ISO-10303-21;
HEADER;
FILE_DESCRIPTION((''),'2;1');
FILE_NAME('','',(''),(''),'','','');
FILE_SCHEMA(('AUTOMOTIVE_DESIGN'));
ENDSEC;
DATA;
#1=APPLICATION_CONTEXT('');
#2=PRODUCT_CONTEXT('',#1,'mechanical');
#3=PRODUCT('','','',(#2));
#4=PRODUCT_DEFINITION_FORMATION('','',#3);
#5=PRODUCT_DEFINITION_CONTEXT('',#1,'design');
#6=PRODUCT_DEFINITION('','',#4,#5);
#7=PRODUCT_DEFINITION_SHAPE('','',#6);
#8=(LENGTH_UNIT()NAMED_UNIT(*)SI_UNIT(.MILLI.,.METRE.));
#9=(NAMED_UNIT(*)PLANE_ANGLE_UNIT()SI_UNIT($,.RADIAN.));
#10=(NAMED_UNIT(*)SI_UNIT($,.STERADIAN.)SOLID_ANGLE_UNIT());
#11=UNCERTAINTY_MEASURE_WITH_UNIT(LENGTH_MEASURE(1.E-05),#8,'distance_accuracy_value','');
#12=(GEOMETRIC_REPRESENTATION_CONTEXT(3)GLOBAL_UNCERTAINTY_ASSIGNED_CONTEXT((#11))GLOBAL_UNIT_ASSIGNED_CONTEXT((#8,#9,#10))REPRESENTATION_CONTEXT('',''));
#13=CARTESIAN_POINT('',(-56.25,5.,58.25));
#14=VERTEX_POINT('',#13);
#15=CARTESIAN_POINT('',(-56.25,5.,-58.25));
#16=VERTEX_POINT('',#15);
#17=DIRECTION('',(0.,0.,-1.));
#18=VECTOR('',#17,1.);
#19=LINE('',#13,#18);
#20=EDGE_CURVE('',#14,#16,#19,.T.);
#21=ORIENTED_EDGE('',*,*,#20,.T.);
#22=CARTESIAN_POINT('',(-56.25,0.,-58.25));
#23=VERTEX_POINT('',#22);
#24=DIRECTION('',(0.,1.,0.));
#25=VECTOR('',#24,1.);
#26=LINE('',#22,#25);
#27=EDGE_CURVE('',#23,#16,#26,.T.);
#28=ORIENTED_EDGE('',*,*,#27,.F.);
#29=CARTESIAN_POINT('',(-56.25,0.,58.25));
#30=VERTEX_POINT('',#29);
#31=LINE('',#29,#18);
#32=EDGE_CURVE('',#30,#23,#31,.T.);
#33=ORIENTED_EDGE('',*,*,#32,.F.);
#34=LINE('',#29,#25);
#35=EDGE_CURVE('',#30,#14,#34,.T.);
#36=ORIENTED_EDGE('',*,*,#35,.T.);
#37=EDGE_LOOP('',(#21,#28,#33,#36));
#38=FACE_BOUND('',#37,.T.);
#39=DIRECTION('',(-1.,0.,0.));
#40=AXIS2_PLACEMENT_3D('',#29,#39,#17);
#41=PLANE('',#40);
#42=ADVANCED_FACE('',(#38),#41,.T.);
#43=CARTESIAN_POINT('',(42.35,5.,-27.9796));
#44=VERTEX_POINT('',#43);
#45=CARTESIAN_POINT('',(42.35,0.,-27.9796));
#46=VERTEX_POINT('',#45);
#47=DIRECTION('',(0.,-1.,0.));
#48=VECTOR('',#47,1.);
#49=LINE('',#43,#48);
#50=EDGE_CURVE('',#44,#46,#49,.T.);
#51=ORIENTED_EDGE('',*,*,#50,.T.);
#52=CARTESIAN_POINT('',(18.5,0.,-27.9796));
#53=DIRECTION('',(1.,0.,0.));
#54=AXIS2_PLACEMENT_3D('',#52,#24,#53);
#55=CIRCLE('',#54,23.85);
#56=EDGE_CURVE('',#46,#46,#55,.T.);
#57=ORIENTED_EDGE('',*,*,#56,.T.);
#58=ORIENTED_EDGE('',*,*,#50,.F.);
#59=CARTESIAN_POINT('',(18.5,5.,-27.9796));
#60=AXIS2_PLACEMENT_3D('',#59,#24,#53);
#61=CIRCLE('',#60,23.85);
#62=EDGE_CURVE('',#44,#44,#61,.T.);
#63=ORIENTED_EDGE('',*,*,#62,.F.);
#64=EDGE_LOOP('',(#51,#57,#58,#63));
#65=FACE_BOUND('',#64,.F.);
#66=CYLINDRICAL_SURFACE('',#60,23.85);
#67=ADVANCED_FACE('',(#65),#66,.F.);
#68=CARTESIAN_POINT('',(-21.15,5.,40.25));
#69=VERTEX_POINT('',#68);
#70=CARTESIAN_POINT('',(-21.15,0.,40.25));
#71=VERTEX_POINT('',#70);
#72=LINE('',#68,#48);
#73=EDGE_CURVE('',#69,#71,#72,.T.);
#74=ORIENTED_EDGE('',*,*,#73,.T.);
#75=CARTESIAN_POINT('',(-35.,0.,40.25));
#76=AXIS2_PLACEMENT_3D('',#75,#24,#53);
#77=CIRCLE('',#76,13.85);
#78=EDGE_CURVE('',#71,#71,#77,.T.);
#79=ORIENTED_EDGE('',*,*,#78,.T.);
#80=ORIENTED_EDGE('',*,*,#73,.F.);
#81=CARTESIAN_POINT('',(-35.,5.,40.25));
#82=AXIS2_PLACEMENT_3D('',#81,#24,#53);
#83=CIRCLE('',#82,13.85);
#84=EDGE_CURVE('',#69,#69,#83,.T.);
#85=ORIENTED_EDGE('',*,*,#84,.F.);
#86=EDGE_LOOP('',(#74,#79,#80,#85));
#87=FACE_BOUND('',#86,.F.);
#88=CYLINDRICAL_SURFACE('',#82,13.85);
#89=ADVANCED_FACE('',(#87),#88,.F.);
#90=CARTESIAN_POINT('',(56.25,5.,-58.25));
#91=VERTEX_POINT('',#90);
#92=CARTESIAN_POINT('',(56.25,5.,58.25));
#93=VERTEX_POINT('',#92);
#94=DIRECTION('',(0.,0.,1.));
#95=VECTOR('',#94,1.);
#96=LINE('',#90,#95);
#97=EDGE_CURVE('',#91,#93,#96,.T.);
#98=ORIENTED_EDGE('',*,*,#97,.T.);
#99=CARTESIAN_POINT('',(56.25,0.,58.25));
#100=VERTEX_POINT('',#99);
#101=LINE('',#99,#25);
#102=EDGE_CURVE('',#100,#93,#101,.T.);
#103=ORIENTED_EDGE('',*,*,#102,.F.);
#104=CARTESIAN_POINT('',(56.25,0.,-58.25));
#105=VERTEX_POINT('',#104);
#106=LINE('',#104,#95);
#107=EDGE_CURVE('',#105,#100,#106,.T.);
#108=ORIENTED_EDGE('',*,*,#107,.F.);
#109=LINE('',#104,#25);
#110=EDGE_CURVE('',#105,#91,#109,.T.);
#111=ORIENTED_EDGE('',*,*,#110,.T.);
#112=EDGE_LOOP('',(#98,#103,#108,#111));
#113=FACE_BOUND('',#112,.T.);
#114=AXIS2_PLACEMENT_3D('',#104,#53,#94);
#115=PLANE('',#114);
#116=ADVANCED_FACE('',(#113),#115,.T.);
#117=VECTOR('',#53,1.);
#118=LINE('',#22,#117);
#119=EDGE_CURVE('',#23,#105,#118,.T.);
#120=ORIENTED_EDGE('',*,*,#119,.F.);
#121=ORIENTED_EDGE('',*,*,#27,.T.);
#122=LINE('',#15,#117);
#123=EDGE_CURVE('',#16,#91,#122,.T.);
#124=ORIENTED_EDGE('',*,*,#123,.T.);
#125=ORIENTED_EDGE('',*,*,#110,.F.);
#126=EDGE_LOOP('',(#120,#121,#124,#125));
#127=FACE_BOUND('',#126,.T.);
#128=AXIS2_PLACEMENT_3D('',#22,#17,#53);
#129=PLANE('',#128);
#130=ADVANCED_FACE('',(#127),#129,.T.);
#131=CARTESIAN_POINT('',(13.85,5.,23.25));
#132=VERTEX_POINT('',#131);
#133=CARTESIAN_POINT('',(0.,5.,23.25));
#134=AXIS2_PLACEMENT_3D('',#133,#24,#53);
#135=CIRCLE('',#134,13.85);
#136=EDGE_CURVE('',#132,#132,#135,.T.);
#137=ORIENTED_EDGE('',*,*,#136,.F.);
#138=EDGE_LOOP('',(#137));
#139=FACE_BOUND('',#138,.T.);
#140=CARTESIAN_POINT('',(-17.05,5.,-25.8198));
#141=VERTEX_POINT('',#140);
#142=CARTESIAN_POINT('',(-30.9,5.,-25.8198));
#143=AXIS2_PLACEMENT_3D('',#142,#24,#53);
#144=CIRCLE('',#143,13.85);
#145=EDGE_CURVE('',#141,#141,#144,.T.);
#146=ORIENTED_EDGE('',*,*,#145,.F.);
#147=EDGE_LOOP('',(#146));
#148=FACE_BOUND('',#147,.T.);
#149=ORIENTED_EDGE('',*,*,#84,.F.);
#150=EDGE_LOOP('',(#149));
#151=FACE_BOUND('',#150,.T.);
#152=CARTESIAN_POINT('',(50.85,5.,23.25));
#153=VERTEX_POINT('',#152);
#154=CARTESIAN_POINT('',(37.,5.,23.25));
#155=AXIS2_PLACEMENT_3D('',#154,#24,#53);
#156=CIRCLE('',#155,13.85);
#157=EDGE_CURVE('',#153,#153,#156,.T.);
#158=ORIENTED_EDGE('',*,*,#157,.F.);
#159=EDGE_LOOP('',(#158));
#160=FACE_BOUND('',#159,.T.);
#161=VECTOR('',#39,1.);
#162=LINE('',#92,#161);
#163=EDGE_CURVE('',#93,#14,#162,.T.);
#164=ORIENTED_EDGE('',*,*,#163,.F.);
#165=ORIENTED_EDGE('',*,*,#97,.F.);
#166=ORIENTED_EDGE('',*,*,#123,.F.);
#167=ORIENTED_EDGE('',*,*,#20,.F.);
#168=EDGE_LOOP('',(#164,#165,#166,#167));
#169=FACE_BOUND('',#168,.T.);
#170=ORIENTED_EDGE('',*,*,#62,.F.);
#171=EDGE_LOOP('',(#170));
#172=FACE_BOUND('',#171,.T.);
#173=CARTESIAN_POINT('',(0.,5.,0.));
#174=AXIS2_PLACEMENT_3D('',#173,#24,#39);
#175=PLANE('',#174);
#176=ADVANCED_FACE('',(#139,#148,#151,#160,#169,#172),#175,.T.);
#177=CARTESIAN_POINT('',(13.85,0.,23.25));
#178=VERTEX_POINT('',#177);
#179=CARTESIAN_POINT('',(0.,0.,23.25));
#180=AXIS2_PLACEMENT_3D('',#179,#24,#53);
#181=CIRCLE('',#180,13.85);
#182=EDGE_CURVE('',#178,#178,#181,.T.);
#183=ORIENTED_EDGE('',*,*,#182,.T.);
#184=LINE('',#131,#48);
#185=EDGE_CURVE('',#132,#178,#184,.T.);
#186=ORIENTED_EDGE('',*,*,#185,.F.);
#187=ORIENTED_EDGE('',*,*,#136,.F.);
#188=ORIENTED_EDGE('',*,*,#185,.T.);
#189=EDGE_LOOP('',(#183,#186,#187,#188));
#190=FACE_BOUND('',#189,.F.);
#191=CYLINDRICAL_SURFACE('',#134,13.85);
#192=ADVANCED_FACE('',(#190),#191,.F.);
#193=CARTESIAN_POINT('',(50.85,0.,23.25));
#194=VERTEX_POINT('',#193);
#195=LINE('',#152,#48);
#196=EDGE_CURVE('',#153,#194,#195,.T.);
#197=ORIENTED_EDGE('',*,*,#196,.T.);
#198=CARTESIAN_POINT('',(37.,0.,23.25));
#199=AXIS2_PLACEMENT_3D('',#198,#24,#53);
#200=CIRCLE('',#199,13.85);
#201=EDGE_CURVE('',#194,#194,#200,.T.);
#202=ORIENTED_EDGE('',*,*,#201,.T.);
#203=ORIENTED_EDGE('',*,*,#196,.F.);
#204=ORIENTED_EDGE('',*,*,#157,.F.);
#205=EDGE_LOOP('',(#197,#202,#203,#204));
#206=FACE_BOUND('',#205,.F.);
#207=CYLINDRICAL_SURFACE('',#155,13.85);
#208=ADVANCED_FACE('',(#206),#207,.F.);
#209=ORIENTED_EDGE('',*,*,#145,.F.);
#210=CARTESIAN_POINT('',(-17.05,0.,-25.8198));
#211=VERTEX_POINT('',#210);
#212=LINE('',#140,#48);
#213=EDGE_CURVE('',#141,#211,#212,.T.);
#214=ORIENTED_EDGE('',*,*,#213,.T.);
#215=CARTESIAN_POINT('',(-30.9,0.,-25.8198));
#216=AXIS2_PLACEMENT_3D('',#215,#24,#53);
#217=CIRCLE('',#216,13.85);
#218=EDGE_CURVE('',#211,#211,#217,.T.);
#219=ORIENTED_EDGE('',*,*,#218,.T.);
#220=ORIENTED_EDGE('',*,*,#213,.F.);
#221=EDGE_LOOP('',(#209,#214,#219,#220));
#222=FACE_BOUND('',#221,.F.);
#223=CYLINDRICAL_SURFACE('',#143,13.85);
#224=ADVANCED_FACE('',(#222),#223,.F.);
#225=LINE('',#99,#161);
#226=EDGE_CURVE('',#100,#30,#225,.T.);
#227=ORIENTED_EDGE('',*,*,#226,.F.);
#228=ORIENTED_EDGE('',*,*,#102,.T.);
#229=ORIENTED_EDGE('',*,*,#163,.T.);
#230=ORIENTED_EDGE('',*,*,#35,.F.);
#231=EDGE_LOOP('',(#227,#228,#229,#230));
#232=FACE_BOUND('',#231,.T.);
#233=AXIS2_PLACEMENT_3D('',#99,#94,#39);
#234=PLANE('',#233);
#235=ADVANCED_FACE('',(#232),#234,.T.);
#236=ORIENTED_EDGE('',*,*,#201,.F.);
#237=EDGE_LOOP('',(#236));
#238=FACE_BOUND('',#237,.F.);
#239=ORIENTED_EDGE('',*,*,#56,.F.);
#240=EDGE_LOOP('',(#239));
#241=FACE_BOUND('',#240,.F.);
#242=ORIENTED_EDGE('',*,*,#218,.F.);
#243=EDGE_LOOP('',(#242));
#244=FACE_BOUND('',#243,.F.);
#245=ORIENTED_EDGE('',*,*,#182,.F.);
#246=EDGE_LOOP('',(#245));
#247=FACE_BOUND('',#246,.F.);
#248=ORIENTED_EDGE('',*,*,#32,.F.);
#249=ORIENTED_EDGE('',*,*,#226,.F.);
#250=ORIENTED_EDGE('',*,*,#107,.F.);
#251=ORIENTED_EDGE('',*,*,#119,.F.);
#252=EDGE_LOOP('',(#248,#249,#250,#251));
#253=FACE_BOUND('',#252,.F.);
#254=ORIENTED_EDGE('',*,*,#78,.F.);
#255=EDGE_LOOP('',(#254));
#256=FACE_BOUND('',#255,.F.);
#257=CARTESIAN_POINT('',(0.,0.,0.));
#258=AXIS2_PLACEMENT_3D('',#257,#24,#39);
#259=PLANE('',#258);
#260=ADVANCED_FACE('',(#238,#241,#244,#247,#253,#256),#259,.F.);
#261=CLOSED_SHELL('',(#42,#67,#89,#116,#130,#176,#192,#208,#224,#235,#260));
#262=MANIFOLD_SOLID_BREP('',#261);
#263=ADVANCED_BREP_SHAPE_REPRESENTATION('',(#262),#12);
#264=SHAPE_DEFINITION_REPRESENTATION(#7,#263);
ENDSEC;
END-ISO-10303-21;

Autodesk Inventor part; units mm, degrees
ref_plane "YZ Plane" through (0, 0, 0) normal (1, 0, 0) x (0, 1, 0)
ref_plane "XZ Plane" through (0, 0, 0) normal (0, 1, 0) x (-1, 0, 0)
ref_plane "XY Plane" through (0, 0, 0) normal (0, 0, 1) x (1, 0, 0)
sketch "Sketch1" plane through (0, 0, 0) normal (0, 1, 0) x (-1, 0, 0)
  line L0 (-56.25, 58.25) -> (56.25, 58.25)
  line L1 (56.25, 58.25) -> (56.25, -58.25)
  line L2 (56.25, -58.25) -> (-56.25, -58.25)
  line L3 (-56.25, -58.25) -> (-56.25, 58.25)
  line L4 (-56.25, 58.25) -> (56.25, -58.25) construction
  line L5 (56.25, 58.25) -> (-56.25, -58.25) construction
  point P0 (0, 0)
  dimension "d0" = 112.5
  dimension "d1" = 116.5
extrude "Extrusion1" add sketch "Sketch1" along normal blind 5
sketch "Sketch2" plane through (0, 5, 0) normal (0, 1, 0) x (1, 0, 0)
  circle A0 centre (18.5, 27.9796) radius 23.85
  circle A1 centre (37, -23.25) radius 13.85
  circle A2 centre (-35, -40.25) radius 13.85
  circle A3 centre (-30.9, 25.8198) radius 13.85
  circle A4 centre (0, -23.25) radius 13.85
  line L0 (56.25, 58.25) -> (-56.25, 58.25) projected
  line L1 (-56.25, -58.25) -> (56.25, -58.25) projected
  line L2 (0, -105.9299) -> (0, 123.2086) construction
  line L3 (-76.4777, -40.25) -> (-5.35, -40.25) construction
  line L4 (-123.5447, -23.25) -> (82.5572, -23.25) construction
  line L5 (56.25, -58.25) -> (56.25, 58.25) construction
  point P0 (0, 0)
  dimension "d4" = 47.7
  dimension "d5" = 27.7
  dimension "d6" = 27.7
  dimension "d7" = 27.7
  dimension "d8" = 27.7
  dimension "d9" = 116.5
  dimension "d10" = 112.5
  dimension "d13" = 37
  dimension "d14" = 18.5
  dimension "d15" = 30.9
  dimension "d18" = 18
  dimension "d19" = 35
  dimension "d20" = 35
extrude "Extrusion2" cut sketch "Sketch2" against normal blind 5
properties part number "Bottle layout lower plate"
